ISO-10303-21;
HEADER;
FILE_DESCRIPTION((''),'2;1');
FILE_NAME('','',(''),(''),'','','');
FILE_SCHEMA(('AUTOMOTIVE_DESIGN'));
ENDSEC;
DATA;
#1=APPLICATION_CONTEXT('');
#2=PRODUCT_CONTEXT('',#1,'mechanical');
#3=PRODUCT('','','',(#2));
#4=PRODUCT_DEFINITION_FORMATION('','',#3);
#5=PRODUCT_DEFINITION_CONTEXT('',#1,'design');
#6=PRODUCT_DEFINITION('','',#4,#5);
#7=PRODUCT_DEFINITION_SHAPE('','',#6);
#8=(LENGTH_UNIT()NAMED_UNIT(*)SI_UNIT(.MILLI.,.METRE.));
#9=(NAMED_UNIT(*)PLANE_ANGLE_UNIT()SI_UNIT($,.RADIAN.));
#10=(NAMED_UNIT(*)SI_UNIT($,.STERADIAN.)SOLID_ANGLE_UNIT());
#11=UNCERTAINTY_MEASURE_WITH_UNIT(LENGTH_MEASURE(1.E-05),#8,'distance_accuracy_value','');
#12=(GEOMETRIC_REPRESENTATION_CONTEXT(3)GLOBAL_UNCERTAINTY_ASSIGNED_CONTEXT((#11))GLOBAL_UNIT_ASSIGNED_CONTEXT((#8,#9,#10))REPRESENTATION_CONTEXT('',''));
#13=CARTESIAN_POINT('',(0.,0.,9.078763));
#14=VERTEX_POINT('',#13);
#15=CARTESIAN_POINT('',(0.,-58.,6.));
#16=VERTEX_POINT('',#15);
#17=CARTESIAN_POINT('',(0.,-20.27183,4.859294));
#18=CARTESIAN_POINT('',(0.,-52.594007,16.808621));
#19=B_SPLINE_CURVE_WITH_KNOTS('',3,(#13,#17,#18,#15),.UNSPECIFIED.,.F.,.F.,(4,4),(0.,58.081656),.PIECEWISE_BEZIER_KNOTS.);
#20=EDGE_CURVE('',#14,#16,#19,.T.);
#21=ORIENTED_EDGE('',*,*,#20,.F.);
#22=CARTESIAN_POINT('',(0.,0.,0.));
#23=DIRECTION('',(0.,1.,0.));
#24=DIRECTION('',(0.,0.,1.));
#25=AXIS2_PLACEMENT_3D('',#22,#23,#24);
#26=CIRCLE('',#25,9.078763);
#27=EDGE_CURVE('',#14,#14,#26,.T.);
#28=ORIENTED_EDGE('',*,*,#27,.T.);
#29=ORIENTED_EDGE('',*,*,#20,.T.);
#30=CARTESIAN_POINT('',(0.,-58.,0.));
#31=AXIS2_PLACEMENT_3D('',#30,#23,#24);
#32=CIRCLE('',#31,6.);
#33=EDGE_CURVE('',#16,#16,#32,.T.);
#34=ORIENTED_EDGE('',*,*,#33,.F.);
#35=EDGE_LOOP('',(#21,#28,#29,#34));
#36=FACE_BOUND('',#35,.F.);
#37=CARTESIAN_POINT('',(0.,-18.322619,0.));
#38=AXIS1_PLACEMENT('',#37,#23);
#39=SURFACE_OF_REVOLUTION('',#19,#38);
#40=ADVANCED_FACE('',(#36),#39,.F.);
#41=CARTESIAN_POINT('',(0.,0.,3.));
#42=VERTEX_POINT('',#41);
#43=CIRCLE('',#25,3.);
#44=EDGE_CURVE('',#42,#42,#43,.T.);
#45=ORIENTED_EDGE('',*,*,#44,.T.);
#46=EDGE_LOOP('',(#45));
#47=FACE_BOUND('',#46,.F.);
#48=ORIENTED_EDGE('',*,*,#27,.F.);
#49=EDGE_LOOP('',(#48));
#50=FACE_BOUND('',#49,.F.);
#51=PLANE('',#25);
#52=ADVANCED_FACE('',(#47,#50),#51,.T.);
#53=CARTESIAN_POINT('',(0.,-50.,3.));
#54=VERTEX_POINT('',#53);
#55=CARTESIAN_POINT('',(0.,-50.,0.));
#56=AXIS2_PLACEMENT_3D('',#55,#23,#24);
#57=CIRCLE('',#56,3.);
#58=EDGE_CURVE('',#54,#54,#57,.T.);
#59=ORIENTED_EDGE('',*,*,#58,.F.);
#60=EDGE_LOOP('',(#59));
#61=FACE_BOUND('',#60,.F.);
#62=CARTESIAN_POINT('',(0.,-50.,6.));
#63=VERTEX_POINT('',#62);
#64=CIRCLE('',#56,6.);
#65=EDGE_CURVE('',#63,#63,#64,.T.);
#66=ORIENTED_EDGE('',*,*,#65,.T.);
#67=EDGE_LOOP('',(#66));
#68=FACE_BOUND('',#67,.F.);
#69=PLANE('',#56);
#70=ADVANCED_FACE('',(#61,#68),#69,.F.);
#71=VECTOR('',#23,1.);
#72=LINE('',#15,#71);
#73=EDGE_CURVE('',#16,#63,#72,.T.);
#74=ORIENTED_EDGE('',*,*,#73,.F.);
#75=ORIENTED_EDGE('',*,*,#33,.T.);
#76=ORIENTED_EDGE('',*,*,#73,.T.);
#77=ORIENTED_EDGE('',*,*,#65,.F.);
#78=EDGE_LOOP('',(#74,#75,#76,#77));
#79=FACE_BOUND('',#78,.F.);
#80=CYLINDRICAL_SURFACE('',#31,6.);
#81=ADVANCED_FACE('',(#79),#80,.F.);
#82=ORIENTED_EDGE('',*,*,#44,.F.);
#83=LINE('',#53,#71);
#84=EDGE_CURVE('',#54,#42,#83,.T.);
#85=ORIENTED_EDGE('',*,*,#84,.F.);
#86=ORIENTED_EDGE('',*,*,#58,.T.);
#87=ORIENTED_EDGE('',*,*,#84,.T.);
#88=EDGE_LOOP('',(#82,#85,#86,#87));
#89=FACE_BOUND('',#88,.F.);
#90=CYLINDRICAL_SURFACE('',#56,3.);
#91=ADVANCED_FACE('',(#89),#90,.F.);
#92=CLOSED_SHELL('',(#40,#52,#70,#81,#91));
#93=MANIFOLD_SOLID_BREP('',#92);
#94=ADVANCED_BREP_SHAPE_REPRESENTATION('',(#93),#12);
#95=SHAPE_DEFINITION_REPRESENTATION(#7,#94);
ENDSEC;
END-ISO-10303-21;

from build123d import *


with BuildPart() as f1:
    # F0 (on Right) → F1 (revolve)
    with BuildSketch(Plane.YZ):
        with BuildLine():
            Line((-50, 3), (0, 3))
            Line((0, 3), (0, 9.078763))
            add(Edge.make_bspline(
                [(0, 9.078763), (-20.27183, 4.859294), (-52.594007, 16.808621), (-58, 6)],
                knots=[0, 0, 0, 0, 58.081656, 58.081656, 58.081656, 58.081656], degree=3))
            Line((-58, 6), (-50, 6))
            Line((-50, 6), (-50, 3))
        make_face()
    revolve(axis=Axis((0, -18.322619, 0), (0, 1, 0)))


solid = f1.part
